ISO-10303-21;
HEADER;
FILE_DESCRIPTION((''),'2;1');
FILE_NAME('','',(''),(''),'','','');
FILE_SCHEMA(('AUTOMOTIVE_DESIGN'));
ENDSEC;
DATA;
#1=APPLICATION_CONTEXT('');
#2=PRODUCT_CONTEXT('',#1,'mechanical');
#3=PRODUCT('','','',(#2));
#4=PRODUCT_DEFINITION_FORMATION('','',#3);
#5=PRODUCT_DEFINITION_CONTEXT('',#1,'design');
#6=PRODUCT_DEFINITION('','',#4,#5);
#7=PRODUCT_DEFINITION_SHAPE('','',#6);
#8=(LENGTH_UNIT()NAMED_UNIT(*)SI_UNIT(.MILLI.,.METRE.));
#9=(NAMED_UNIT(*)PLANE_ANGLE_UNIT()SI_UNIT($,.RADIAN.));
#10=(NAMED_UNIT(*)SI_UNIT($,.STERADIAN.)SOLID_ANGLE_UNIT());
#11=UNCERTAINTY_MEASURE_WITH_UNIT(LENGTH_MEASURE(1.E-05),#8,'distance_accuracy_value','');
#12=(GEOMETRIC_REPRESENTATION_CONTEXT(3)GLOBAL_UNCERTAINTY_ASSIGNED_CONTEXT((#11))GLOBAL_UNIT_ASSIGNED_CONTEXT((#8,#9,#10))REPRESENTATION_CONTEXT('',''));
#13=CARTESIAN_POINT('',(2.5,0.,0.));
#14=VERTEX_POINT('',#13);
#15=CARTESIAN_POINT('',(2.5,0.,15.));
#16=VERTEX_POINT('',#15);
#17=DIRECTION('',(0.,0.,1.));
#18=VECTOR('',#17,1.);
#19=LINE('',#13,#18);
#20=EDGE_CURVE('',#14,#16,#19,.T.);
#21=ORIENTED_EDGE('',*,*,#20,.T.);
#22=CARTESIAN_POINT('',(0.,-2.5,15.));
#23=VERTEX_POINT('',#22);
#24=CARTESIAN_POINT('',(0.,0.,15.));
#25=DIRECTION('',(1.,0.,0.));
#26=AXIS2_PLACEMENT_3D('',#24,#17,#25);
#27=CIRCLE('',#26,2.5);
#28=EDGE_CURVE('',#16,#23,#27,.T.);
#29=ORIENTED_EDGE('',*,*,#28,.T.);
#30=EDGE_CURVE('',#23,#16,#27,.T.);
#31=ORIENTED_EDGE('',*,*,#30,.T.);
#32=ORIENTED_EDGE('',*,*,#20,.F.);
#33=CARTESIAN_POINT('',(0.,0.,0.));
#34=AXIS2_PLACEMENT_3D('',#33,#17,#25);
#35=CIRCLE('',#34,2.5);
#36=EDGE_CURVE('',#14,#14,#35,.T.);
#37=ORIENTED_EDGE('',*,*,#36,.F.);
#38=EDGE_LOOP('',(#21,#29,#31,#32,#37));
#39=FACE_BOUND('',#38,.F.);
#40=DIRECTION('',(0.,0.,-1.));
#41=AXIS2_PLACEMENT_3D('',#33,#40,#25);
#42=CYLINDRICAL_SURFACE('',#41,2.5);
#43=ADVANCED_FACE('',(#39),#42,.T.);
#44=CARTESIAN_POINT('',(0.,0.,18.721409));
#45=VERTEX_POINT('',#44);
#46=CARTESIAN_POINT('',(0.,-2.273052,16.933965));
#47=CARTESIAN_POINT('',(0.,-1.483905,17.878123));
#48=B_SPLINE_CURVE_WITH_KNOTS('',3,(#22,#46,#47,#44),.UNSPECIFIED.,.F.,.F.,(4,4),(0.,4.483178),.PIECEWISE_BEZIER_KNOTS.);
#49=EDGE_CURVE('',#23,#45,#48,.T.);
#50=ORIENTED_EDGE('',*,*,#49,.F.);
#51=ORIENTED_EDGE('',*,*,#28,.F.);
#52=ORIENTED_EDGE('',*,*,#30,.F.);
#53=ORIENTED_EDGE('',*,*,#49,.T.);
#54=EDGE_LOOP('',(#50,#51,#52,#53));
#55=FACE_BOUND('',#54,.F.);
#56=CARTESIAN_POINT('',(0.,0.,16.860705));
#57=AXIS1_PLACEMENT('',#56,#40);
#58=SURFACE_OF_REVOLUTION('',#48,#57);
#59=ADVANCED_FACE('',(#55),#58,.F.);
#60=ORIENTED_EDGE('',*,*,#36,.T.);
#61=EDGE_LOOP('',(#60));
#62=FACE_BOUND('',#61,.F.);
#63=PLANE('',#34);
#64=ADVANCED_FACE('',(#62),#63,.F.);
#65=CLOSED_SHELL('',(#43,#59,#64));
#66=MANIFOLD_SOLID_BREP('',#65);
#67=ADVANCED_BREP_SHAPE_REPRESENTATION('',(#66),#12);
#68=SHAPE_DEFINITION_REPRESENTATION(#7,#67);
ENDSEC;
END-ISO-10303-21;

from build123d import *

# Parameters (mm, degrees)
F0_R     = 2.5
F1_DEPTH = 15


with BuildPart() as f1:
    # F0 (on Top) → F1 (new body)
    with BuildSketch(Plane.XY):
        Circle(F0_R)
    extrude(amount=F1_DEPTH)

    # F3 (on Right) → F4 (revolve)
    with BuildSketch(Plane.YZ):
        with BuildLine():
            add(Edge.make_bspline(
                [(-2.5, 15), (-2.273052, 16.933965), (-1.483905, 17.878123), (0, 18.721409)],
                knots=[0, 0, 0, 0, 4.483178, 4.483178, 4.483178, 4.483178], degree=3))
            Line((-2.5, 15), (0, 15))
            Line((0, 15), (0, 18.721409))
        make_face()
    revolve(axis=Axis((0, 0, 16.860705), (0, 0, -1)))


solid = f1.part
